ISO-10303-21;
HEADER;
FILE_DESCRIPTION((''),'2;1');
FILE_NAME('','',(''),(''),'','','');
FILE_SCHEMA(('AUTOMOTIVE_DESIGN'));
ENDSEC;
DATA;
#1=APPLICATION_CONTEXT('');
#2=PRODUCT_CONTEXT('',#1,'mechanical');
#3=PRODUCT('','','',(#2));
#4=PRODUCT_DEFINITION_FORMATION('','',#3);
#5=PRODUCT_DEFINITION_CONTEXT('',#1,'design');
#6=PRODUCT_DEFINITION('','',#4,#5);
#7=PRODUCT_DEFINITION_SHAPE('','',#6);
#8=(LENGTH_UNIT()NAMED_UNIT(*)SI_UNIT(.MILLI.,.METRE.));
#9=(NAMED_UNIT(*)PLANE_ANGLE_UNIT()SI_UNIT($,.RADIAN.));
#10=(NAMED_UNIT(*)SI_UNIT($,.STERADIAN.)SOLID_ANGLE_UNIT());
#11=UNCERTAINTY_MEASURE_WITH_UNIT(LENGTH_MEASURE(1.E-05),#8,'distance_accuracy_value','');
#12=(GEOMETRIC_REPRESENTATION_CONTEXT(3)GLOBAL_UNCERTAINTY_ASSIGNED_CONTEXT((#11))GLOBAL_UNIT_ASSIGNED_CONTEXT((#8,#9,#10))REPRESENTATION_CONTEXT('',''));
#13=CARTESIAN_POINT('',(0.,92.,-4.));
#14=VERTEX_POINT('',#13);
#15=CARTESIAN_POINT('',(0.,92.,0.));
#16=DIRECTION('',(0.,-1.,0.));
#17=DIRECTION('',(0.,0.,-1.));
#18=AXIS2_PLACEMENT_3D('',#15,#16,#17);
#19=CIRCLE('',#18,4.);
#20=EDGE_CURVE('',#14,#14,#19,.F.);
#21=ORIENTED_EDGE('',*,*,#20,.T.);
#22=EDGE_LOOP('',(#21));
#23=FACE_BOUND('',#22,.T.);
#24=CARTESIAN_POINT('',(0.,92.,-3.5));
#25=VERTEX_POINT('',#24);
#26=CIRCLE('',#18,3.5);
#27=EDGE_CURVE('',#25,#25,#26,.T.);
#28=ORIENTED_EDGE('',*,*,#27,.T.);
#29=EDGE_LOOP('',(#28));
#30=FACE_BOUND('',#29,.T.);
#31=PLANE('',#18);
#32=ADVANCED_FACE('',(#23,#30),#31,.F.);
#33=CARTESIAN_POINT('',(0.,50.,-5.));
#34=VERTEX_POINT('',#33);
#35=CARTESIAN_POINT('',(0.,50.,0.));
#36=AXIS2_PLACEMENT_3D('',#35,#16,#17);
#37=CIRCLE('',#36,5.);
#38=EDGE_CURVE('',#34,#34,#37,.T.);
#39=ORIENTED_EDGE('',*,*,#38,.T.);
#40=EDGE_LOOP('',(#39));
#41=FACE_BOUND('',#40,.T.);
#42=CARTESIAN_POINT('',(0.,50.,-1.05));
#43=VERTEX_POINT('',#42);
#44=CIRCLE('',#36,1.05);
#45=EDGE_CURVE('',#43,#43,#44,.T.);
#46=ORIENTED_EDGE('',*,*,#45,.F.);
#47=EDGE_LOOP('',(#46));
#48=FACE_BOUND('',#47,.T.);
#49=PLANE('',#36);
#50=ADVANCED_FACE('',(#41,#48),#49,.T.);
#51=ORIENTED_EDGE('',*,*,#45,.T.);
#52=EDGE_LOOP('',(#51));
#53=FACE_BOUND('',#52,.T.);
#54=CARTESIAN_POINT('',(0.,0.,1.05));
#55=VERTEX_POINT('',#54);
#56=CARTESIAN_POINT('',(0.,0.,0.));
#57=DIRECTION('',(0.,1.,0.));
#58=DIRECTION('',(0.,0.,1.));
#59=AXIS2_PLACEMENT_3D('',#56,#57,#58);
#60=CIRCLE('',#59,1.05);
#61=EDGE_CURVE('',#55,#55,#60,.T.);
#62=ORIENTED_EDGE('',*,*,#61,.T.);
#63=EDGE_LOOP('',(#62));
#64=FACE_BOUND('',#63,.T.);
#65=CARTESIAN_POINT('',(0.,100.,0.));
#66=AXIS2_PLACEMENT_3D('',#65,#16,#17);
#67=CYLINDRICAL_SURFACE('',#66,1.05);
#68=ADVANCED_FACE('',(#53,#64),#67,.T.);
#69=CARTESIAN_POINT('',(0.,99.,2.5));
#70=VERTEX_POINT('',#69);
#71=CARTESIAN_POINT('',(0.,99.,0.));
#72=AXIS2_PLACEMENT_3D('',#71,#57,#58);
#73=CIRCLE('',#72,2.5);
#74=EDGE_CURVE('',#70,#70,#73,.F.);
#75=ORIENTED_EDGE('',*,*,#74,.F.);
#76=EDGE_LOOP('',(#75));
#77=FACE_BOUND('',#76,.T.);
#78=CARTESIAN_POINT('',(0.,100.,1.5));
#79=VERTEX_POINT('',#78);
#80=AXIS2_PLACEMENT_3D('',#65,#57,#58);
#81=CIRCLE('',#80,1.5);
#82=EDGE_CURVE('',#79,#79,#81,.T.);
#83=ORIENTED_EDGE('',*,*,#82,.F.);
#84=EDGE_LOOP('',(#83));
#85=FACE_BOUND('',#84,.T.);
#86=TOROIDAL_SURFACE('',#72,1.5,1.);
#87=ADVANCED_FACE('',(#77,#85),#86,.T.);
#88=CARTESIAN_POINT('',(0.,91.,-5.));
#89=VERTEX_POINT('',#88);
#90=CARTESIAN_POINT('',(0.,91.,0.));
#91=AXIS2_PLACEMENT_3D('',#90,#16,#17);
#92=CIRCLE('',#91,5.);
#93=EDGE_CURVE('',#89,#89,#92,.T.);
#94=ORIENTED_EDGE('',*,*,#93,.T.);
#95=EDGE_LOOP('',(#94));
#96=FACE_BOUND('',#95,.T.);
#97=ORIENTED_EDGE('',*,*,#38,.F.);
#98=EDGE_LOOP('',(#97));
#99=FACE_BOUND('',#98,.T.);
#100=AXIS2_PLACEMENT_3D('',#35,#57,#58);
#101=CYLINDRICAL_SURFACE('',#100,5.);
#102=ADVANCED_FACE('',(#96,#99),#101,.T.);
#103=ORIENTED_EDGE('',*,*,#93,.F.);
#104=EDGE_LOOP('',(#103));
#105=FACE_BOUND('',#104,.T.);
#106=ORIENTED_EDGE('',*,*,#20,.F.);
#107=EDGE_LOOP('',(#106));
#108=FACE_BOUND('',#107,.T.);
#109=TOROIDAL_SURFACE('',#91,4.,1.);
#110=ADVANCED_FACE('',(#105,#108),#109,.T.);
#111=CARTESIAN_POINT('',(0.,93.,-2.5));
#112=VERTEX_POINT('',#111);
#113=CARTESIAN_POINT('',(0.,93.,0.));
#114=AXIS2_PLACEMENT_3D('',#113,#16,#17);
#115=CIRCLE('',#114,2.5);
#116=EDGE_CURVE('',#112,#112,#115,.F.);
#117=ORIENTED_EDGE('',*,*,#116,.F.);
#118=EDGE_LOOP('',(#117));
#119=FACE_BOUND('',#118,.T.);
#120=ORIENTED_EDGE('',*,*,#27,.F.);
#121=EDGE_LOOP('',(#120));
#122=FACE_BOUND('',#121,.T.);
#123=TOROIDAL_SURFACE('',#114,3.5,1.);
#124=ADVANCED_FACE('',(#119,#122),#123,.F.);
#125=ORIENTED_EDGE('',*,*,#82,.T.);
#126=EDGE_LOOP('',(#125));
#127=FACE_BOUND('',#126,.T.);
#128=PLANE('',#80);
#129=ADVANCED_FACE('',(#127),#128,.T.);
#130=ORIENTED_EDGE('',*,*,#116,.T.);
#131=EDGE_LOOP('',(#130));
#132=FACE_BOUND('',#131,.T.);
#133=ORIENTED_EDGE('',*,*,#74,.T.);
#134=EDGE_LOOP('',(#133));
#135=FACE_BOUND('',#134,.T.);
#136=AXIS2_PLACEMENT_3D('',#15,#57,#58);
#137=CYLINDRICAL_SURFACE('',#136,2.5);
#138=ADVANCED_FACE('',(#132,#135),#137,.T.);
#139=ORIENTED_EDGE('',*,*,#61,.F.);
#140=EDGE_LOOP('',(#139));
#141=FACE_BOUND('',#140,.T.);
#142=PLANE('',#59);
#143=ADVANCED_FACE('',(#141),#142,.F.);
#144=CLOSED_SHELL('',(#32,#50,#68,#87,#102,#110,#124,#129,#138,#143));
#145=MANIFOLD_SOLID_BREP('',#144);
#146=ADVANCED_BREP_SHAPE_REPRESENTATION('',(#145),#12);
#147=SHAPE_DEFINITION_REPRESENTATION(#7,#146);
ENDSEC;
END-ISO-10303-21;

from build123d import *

# Parameters (mm, degrees)
ESQUISSE2_R        = 1.05
BOSS_EXTRU_1_DEPTH = 100
ESQUISSE3_R        = 2.5
BOSS_EXTRU_2_DEPTH = 8
ESQUISSE4_R        = 5
BOSS_EXTRU_3_DEPTH = 42
CONG_4_R           = 1
CONG_5_R           = 1
CONG_6_R           = 1


with BuildPart() as part:
    # Esquisse2 → Boss.-Extru.1 (new body)
    with BuildSketch(Plane(origin=(0, 0, 0), x_dir=(1, 0, 0), z_dir=(0, 1, 0))):
        Circle(ESQUISSE2_R)
    extrude(amount=BOSS_EXTRU_1_DEPTH)

    # Esquisse3 → Boss.-Extru.2 (add)
    with BuildSketch(Plane(origin=(0, 100, 0), x_dir=(1, 0, 0), z_dir=(0, 1, 0))):
        Circle(ESQUISSE3_R)
    extrude(amount=-BOSS_EXTRU_2_DEPTH)

    # Esquisse4 → Boss.-Extru.3 (add)
    with BuildSketch(Plane.XZ.offset(-92)):
        Circle(ESQUISSE4_R)
    extrude(amount=BOSS_EXTRU_3_DEPTH)

    # Congé4
    cong_4_edges = [part.edges().sort_by_distance(p)[0] for p in [
        (-2.5, 100, 0),
    ]]
    fillet(cong_4_edges, radius=CONG_4_R)

    # Congé5
    cong_5_edges = [part.edges().sort_by_distance(p)[0] for p in [
        (-5, 92, 0),
    ]]
    fillet(cong_5_edges, radius=CONG_5_R)

    # Congé6
    cong_6_edges = [part.edges().sort_by_distance(p)[0] for p in [
        (-2.5, 92, 0),
    ]]
    fillet(cong_6_edges, radius=CONG_6_R)


solid = part.part
